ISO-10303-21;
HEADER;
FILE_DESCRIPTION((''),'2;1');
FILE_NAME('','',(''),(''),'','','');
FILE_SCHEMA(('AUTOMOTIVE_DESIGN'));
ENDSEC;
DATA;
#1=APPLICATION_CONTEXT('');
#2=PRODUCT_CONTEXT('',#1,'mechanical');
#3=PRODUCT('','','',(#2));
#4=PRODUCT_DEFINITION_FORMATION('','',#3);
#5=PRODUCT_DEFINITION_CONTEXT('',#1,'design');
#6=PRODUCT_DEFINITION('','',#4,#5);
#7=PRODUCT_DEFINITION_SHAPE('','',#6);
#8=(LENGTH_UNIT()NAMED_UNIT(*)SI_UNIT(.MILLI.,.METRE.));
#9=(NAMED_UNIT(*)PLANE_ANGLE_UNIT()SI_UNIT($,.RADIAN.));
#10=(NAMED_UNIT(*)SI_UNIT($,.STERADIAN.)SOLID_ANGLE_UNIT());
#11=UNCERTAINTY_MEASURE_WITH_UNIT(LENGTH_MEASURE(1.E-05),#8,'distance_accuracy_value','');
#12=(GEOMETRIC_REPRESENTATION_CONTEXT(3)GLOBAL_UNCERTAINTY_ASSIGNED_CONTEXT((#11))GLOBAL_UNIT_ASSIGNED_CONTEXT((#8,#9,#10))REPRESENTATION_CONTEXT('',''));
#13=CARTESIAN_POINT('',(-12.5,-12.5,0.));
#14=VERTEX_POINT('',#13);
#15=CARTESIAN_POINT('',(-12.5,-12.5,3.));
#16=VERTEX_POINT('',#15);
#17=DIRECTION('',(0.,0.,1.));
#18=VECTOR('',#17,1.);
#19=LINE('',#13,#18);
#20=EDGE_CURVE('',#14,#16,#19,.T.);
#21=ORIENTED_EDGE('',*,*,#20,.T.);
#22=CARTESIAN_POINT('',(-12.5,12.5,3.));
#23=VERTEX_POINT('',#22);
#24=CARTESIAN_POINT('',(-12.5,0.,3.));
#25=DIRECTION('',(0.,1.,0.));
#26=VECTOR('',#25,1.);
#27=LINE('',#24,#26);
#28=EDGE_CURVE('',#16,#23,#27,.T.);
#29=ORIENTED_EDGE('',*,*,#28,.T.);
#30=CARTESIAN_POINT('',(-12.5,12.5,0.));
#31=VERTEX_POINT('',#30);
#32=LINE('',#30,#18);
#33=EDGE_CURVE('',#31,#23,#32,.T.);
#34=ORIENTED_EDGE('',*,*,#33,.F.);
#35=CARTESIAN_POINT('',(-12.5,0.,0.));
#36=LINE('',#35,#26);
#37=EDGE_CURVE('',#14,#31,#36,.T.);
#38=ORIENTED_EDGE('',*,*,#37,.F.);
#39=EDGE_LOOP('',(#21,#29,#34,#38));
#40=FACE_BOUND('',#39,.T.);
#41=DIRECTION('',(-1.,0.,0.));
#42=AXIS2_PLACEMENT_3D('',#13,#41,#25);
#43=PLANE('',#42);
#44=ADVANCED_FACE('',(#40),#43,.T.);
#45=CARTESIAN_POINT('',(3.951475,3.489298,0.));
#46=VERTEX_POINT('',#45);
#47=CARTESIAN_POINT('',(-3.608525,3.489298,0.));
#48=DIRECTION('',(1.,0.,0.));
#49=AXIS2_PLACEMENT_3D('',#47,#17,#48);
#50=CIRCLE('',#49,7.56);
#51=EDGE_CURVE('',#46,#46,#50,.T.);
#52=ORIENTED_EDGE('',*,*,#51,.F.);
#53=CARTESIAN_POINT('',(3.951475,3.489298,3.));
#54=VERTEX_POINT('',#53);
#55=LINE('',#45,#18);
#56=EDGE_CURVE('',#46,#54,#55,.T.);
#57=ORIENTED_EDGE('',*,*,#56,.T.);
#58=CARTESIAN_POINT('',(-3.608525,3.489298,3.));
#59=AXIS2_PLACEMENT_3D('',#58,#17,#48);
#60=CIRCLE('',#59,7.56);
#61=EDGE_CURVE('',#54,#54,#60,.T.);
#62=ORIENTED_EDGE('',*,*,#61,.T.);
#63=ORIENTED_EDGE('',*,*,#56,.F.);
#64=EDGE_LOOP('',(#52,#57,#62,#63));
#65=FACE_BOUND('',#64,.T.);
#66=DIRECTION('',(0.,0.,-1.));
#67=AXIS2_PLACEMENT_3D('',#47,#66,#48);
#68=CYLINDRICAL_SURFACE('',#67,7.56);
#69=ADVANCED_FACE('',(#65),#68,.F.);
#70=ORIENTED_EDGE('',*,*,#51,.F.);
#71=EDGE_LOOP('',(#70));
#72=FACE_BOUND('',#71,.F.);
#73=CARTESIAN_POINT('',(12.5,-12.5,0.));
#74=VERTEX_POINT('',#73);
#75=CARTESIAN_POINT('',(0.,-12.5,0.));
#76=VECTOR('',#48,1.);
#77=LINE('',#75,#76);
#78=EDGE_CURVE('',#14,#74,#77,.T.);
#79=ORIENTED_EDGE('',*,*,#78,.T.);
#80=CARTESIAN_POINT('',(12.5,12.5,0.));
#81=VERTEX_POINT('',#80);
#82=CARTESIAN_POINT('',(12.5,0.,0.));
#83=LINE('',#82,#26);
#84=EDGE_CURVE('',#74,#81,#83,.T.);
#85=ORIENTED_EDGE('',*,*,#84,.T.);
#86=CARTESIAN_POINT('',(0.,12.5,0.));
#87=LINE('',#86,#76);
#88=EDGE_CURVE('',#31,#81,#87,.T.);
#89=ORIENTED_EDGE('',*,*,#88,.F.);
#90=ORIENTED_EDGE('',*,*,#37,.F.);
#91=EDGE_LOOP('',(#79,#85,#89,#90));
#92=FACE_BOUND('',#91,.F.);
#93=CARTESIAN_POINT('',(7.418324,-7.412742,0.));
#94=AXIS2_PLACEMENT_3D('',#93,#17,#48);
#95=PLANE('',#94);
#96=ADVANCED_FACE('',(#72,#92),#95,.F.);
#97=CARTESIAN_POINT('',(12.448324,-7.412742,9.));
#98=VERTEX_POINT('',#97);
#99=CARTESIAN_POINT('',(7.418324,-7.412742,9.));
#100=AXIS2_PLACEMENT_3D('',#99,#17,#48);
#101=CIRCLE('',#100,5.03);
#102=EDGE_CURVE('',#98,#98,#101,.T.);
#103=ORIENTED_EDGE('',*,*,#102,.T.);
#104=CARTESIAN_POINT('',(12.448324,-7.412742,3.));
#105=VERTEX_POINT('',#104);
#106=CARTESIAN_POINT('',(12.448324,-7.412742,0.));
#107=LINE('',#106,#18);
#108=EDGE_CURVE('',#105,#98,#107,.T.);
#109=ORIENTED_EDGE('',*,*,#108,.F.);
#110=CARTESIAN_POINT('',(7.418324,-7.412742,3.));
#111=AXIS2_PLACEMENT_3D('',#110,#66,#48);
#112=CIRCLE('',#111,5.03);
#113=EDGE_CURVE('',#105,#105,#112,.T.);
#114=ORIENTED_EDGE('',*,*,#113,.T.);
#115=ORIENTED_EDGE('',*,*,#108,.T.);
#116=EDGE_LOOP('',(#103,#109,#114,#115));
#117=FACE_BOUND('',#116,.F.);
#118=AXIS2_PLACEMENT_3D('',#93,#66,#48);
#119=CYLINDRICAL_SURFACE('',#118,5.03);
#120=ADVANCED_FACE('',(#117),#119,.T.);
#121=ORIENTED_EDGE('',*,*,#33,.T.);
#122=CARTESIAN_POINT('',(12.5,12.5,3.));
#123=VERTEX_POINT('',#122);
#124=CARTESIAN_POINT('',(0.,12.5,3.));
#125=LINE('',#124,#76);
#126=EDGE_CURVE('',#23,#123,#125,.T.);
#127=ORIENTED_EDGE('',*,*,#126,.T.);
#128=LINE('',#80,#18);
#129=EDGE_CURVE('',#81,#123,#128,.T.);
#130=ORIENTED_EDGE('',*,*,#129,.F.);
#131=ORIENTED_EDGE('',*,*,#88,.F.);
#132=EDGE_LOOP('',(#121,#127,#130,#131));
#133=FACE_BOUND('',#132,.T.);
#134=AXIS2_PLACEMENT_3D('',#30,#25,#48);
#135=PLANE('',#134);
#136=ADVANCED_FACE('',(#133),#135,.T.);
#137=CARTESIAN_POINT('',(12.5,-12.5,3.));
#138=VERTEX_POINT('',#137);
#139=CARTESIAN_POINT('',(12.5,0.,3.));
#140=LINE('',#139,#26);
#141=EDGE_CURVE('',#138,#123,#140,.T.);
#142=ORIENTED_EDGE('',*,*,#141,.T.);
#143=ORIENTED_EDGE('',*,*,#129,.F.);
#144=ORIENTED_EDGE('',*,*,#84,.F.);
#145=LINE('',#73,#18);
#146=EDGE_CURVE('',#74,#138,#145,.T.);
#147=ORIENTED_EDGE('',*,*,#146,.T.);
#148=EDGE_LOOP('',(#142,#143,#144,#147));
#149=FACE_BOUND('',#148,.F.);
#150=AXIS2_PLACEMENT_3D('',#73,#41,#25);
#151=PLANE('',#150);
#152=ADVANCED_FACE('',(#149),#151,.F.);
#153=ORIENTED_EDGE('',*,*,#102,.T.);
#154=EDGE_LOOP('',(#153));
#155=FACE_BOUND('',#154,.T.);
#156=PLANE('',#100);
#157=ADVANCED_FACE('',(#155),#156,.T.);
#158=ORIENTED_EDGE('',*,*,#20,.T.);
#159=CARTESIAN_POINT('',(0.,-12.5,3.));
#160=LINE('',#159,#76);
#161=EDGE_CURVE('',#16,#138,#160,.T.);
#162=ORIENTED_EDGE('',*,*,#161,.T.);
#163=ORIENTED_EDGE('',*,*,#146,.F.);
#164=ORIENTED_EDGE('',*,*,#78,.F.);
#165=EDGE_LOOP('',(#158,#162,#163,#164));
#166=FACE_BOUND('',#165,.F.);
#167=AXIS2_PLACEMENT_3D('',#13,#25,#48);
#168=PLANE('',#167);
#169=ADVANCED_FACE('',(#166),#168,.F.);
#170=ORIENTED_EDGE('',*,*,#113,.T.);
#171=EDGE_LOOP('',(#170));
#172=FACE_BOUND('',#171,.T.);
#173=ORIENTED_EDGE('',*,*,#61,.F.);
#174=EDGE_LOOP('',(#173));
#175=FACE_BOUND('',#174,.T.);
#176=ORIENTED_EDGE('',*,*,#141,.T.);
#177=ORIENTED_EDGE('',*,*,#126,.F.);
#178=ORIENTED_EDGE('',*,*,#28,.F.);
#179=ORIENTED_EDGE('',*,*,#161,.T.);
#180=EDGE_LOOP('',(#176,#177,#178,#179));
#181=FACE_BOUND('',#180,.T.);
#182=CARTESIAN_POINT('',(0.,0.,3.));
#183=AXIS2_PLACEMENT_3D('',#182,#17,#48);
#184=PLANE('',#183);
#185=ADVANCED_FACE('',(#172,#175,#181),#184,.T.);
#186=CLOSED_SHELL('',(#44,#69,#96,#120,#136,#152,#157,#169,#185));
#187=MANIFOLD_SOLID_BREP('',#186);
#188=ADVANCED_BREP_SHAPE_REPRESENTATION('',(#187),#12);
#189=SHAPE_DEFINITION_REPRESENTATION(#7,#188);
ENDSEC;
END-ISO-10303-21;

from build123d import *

# Parameters (mm, degrees)
SKETCH_W     = 25
SKETCH_H     = 25
SKETCH_R     = 7.56
PAD_DEPTH    = 3
SKETCH001_R  = 5.03
PAD001_DEPTH = 9


with BuildPart() as part:
    # Sketch → Pad (new body)
    with BuildSketch(Plane.XY):
        Rectangle(SKETCH_W, SKETCH_H)
        with Locations((-3.608525, 3.489298)):
            Circle(SKETCH_R, mode=Mode.SUBTRACT)
    extrude(amount=PAD_DEPTH)

    # Sketch001 → Pad001 (join)
    with BuildSketch(Plane.XY):
        with Locations((7.418324, -7.412742)):
            Circle(SKETCH001_R)
    extrude(amount=PAD001_DEPTH)


solid = part.part
